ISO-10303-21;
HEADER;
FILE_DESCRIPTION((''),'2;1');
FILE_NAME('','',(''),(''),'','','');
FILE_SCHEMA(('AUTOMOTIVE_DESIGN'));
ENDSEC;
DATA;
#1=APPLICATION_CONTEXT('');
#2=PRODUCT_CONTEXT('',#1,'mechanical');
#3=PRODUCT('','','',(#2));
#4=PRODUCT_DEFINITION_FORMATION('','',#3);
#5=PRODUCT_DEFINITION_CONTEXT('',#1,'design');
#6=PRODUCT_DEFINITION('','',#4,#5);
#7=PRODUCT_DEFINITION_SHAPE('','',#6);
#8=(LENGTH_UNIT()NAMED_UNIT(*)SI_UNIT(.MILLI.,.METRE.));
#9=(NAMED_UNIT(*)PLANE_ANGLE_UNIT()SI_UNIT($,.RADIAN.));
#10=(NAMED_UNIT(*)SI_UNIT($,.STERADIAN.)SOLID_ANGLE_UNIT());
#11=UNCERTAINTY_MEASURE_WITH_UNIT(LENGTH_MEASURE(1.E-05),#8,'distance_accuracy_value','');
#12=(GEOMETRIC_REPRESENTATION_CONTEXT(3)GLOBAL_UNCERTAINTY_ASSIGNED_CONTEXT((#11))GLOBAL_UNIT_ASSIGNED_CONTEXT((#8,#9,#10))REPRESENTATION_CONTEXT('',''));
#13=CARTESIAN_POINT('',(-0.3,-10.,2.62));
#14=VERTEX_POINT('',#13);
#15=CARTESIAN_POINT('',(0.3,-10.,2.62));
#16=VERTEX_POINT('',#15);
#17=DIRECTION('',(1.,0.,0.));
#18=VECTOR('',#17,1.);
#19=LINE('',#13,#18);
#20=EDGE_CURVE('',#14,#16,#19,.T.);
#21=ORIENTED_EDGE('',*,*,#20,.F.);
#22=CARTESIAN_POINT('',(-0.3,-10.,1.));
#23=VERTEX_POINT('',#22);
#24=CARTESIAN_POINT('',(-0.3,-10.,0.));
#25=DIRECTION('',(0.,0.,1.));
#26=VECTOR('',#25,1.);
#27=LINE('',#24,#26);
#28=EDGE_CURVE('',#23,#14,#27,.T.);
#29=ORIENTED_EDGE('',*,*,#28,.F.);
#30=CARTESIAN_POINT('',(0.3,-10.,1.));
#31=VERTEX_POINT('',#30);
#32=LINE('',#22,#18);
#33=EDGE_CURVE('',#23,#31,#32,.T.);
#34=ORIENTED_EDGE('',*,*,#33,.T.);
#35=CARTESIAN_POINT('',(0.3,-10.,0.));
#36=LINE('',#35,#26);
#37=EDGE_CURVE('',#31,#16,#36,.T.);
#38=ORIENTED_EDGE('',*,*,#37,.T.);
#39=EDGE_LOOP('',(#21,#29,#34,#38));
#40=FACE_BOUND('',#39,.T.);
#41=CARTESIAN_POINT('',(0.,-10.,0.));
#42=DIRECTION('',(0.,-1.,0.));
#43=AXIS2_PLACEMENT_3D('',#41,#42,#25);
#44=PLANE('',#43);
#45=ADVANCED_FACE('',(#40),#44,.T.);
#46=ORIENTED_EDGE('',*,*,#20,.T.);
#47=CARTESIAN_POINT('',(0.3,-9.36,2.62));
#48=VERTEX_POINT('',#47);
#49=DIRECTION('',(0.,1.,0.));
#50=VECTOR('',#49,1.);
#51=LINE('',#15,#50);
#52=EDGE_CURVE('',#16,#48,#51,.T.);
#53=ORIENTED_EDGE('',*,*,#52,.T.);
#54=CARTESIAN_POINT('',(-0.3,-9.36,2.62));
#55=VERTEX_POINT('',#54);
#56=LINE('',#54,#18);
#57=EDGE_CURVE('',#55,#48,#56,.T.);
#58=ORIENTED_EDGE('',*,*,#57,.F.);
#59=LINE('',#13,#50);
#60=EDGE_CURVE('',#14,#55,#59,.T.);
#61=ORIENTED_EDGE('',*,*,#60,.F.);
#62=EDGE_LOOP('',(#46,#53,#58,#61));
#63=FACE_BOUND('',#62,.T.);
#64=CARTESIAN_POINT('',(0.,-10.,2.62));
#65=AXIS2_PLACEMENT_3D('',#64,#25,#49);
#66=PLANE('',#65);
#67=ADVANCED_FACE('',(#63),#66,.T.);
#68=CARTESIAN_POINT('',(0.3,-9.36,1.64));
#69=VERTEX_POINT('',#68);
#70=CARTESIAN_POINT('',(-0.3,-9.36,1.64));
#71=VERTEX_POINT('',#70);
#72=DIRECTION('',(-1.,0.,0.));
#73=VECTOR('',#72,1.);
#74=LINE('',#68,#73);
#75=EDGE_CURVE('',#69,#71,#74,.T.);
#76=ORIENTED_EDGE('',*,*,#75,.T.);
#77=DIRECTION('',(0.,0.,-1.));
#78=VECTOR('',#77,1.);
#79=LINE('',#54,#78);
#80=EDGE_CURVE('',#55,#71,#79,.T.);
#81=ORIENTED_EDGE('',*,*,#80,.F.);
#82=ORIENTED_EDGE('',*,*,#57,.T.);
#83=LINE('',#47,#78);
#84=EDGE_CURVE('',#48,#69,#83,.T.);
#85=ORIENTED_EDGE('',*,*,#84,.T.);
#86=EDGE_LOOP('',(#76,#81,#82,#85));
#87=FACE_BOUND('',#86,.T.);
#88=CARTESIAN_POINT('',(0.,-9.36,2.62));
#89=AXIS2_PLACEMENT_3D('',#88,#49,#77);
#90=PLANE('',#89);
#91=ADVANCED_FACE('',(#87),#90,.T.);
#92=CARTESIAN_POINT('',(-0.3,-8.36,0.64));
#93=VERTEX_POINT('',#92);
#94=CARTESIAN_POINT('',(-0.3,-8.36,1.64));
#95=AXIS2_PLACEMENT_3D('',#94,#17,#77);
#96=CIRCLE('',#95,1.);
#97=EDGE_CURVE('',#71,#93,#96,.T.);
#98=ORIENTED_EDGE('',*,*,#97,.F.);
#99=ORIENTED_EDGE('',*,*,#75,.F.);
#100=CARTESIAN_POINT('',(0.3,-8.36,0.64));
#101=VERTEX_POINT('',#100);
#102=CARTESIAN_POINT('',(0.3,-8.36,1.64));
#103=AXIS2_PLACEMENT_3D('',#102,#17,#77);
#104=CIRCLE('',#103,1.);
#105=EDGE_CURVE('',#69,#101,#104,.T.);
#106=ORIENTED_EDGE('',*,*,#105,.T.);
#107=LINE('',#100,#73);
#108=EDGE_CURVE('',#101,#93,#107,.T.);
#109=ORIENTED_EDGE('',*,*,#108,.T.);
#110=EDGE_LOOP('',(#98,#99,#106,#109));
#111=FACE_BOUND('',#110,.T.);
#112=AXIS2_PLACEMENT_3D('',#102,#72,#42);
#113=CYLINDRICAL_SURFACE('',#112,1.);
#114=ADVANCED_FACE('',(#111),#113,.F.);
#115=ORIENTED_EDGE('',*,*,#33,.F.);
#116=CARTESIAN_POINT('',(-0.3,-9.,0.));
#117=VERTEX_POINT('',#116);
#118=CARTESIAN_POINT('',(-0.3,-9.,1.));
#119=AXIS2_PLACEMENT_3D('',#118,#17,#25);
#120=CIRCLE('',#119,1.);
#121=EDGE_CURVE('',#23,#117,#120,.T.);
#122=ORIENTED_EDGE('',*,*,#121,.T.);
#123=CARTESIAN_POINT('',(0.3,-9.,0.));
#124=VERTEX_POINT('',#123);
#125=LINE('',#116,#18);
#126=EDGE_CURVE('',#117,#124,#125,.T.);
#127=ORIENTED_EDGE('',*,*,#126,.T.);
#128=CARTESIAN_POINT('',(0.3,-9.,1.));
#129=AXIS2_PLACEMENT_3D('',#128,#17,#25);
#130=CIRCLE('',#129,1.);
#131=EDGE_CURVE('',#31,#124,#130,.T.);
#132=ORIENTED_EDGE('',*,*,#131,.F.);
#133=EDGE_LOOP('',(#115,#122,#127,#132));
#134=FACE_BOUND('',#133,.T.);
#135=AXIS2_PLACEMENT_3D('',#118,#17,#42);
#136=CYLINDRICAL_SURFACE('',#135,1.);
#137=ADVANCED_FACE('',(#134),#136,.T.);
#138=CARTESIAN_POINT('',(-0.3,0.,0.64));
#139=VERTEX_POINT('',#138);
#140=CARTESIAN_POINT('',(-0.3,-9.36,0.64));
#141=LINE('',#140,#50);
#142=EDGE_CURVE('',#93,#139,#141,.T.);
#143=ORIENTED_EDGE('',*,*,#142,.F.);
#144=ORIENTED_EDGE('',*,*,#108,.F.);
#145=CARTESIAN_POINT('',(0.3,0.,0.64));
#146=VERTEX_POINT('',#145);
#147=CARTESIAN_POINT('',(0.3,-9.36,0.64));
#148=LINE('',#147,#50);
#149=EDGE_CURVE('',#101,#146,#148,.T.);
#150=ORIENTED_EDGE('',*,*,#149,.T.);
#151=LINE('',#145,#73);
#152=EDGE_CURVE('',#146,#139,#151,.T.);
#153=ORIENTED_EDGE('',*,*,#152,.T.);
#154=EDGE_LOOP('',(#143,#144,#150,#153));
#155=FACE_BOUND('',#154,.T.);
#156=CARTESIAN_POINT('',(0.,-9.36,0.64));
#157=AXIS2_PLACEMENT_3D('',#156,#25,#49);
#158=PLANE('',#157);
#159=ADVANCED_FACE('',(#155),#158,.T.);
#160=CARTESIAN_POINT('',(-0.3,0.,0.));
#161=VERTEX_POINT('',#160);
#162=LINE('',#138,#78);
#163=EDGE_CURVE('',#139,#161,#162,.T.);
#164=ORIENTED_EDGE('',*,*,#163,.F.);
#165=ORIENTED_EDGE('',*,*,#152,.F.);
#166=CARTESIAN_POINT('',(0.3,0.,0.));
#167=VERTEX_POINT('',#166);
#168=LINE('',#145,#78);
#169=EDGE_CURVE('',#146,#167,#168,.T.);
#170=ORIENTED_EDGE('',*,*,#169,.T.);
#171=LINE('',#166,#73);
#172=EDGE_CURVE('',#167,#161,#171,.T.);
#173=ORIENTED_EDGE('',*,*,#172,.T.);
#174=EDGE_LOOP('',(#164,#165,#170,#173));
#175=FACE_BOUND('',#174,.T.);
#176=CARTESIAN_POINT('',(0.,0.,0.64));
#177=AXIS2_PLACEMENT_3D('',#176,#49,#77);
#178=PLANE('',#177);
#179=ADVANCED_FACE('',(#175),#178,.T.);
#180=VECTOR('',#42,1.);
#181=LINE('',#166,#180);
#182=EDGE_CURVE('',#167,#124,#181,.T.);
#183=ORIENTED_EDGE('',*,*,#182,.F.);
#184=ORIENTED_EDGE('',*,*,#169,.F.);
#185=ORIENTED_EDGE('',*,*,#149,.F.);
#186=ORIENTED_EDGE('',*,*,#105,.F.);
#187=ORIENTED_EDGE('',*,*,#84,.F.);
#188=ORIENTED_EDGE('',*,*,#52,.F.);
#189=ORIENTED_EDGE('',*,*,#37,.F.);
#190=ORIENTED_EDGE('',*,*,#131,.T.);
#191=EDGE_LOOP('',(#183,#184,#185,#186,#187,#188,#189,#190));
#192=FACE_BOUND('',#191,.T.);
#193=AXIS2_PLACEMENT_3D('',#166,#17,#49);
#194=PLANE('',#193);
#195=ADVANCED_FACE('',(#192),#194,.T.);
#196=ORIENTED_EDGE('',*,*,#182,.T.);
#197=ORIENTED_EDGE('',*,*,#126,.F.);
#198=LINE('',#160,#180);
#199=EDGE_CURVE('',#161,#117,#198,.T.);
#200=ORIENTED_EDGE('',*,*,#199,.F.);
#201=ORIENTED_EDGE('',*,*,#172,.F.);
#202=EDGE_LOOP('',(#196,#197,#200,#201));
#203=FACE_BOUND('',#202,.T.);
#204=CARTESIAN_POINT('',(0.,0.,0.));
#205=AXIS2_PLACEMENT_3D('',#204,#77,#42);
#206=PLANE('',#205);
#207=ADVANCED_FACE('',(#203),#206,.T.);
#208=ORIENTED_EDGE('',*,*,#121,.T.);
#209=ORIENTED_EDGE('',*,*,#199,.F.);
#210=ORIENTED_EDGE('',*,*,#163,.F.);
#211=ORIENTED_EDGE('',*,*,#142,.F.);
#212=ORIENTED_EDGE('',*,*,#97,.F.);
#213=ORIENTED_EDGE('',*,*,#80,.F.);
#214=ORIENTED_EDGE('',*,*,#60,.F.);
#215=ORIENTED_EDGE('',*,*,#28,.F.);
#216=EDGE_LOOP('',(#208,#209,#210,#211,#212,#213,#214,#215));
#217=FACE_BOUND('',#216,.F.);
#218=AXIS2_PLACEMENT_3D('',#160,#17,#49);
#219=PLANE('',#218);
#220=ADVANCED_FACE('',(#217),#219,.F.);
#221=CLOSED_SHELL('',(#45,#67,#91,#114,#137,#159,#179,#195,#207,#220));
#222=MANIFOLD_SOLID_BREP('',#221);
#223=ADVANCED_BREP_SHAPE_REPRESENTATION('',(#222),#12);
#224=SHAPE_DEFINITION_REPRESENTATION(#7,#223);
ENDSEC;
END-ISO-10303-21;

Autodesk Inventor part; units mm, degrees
ref_plane "YZ Plane" through (0, 0, 0) normal (1, 0, 0) x (0, 1, 0)
ref_plane "XZ Plane" through (0, 0, 0) normal (0, 1, 0) x (-1, 0, 0)
ref_plane "XY Plane" through (0, 0, 0) normal (0, 0, 1) x (1, 0, 0)
sketch "Sketch1" plane through (0, 0, 0) normal (1, 0, 0) x (0, 1, 0)
  line L0 (-9.36, 2.62) -> (-9.36, 0.64)
  line L1 (-9.36, 0.64) -> (0, 0.64)
  line L2 (0, 0.64) -> (0, 0)
  line L3 (0, 0) -> (-10, 0)
  line L4 (-10, 0) -> (-10, 2.62)
  line L5 (-10, 2.62) -> (-9.36, 2.62)
  point P0 (0, 0.32)
  dimension "d0" = 0.64
  dimension "d1" = 0.64
  dimension "d2" = 2.3
  dimension "d3" = 10
extrude "Extrusion1" add sketch "Sketch1" along normal mid plane 0.6
fillet "Fillet1" radius 1 2 edges at (0, -9.36, 0.64) (0, -10, 0)
properties part number "pins" material "Copper"
